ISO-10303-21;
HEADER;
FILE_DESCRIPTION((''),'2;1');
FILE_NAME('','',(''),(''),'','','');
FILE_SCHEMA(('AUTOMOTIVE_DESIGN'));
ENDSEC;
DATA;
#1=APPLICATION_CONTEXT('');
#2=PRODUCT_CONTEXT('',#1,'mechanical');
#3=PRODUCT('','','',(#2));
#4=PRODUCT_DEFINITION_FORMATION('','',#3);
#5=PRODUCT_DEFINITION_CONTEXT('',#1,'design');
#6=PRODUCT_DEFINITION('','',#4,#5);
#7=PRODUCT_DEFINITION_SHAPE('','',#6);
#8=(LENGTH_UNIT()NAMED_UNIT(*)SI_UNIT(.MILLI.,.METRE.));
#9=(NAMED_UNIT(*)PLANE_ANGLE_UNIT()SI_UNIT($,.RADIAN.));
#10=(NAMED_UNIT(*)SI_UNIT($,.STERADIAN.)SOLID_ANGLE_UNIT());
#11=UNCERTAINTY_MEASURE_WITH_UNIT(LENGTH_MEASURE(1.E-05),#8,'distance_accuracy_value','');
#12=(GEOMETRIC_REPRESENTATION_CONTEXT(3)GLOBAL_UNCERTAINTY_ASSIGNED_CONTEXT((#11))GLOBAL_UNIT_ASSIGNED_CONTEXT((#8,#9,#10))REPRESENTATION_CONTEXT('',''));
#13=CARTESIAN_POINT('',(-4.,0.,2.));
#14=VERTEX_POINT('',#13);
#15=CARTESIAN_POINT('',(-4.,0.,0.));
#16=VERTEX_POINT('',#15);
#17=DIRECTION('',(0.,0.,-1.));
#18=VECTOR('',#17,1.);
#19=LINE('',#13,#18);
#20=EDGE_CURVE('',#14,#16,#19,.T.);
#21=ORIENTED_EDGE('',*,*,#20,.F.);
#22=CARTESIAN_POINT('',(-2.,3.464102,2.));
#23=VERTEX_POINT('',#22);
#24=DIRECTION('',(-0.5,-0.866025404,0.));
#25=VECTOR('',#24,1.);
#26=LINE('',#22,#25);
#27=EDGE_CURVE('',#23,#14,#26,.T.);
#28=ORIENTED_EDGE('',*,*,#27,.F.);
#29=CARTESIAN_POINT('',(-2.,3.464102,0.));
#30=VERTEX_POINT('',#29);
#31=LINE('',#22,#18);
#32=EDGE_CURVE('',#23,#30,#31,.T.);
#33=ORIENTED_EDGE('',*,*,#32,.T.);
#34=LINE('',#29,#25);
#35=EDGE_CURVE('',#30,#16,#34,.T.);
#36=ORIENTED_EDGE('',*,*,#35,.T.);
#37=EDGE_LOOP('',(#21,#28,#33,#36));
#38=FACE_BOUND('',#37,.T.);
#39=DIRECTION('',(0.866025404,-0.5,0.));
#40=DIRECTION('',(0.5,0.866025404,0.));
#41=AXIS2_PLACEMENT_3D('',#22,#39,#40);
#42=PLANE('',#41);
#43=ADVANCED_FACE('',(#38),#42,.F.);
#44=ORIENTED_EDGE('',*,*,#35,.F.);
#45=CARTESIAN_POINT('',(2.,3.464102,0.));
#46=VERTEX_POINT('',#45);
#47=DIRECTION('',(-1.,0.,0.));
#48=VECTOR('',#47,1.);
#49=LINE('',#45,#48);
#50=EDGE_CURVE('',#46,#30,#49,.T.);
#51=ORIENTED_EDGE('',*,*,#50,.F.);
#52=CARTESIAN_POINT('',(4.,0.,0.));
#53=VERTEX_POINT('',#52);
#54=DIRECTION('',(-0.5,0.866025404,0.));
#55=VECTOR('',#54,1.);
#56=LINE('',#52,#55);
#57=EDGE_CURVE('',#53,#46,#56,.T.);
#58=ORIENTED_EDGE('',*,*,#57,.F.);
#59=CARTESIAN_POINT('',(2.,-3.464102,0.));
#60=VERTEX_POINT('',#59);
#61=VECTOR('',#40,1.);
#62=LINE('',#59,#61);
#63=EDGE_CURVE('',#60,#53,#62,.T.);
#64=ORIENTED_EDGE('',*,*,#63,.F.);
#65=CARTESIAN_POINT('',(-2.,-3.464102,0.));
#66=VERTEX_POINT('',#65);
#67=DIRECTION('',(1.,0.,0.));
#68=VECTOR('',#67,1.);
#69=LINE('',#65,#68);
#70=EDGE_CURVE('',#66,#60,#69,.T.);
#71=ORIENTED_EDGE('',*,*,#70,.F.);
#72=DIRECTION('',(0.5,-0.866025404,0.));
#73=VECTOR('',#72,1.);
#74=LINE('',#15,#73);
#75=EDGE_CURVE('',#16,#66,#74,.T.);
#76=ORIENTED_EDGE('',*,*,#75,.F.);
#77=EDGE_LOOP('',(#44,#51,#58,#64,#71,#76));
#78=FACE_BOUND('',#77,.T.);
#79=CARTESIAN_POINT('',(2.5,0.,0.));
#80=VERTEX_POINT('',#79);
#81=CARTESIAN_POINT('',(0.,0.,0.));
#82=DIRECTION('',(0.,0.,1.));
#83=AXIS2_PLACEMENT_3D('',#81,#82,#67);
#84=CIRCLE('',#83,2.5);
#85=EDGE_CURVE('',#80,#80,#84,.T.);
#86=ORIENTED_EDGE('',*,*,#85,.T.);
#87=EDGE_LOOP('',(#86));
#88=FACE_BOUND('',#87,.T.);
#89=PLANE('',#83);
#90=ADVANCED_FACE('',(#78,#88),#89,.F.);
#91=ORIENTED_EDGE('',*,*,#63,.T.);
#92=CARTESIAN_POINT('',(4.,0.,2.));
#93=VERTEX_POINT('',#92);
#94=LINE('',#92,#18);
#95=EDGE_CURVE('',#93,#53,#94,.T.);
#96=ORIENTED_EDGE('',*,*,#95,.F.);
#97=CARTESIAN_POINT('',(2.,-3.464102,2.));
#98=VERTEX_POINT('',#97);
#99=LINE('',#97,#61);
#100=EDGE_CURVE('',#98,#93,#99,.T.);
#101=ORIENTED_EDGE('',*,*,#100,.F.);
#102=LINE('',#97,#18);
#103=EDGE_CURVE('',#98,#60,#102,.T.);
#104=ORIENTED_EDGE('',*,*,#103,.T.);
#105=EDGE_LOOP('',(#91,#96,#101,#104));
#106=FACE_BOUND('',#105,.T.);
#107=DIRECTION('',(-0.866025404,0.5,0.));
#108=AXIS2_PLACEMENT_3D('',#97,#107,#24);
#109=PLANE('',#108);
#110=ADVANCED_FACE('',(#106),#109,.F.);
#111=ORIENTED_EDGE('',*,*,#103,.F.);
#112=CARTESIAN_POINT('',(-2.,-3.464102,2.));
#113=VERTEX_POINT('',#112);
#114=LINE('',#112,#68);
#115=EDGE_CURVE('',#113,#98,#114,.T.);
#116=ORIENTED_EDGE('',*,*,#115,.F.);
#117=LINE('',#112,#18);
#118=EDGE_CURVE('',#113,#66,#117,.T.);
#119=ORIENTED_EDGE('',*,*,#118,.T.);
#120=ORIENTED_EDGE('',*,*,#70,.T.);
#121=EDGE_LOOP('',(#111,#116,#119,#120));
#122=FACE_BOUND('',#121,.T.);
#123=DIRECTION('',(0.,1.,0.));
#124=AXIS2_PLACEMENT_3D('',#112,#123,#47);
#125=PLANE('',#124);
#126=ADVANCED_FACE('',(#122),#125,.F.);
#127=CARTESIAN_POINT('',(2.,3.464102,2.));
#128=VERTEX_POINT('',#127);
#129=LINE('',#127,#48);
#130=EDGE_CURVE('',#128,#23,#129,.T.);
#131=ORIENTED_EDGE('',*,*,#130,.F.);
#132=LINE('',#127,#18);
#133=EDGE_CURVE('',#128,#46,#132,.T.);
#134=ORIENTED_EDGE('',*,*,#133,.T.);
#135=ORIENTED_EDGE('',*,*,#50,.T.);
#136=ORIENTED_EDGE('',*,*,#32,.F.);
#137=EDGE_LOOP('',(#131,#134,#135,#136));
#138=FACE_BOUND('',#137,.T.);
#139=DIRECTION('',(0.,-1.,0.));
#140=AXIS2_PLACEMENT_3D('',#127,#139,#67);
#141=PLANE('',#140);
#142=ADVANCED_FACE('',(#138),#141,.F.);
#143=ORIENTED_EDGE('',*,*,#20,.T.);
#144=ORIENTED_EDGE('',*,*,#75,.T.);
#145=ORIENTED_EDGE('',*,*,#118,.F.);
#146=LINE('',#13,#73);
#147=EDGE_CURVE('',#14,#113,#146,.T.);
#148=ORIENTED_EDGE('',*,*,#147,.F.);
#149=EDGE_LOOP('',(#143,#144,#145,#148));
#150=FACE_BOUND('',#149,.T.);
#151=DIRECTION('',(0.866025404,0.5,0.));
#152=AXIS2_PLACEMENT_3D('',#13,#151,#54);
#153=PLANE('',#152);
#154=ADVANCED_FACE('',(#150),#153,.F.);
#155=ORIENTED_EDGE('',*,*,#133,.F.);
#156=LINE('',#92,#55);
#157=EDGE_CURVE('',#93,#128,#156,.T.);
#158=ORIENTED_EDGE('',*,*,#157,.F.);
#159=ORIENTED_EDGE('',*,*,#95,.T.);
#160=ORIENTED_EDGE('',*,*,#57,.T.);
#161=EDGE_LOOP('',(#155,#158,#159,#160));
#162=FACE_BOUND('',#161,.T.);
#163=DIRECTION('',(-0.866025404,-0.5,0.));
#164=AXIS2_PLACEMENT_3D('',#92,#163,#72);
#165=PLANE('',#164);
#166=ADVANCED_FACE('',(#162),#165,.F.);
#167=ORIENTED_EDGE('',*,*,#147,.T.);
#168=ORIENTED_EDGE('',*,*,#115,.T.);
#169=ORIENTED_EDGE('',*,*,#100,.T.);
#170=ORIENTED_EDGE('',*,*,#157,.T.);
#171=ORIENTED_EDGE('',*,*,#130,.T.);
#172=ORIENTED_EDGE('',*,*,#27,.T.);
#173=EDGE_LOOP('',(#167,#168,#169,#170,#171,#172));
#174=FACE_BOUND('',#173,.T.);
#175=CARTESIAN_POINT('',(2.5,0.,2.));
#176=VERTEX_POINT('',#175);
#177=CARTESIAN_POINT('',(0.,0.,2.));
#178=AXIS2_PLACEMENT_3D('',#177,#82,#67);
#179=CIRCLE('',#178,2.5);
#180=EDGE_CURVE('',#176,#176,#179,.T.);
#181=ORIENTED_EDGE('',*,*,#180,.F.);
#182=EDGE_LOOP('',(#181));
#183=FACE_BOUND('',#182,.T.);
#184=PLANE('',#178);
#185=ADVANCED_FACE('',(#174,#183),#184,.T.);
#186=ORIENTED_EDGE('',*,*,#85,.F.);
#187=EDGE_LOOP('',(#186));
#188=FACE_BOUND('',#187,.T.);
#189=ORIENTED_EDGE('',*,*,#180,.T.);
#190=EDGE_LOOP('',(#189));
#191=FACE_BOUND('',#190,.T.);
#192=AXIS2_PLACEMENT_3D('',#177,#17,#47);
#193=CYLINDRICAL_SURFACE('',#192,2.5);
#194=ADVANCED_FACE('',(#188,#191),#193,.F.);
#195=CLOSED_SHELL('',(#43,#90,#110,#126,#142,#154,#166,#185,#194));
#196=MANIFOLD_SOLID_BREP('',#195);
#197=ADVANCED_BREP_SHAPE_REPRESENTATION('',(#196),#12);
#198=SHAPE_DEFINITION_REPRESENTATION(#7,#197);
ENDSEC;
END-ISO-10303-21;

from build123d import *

# Parameters (mm, degrees)
SKETCH_1_R      = 2.5
EXTRUDE_1_DEPTH = 2


with BuildPart() as part:
    # 草图1 → 凸台-拉伸1 (new body)
    with BuildSketch(Plane.XY):
        Polygon((4, 0), (2, 3.464101615), (-2, 3.464101615), (-4, 0), (-2, -3.464101615), (2, -3.464101615), align=None)
        Circle(SKETCH_1_R, mode=Mode.SUBTRACT)
    extrude(amount=EXTRUDE_1_DEPTH)


solid = part.part
